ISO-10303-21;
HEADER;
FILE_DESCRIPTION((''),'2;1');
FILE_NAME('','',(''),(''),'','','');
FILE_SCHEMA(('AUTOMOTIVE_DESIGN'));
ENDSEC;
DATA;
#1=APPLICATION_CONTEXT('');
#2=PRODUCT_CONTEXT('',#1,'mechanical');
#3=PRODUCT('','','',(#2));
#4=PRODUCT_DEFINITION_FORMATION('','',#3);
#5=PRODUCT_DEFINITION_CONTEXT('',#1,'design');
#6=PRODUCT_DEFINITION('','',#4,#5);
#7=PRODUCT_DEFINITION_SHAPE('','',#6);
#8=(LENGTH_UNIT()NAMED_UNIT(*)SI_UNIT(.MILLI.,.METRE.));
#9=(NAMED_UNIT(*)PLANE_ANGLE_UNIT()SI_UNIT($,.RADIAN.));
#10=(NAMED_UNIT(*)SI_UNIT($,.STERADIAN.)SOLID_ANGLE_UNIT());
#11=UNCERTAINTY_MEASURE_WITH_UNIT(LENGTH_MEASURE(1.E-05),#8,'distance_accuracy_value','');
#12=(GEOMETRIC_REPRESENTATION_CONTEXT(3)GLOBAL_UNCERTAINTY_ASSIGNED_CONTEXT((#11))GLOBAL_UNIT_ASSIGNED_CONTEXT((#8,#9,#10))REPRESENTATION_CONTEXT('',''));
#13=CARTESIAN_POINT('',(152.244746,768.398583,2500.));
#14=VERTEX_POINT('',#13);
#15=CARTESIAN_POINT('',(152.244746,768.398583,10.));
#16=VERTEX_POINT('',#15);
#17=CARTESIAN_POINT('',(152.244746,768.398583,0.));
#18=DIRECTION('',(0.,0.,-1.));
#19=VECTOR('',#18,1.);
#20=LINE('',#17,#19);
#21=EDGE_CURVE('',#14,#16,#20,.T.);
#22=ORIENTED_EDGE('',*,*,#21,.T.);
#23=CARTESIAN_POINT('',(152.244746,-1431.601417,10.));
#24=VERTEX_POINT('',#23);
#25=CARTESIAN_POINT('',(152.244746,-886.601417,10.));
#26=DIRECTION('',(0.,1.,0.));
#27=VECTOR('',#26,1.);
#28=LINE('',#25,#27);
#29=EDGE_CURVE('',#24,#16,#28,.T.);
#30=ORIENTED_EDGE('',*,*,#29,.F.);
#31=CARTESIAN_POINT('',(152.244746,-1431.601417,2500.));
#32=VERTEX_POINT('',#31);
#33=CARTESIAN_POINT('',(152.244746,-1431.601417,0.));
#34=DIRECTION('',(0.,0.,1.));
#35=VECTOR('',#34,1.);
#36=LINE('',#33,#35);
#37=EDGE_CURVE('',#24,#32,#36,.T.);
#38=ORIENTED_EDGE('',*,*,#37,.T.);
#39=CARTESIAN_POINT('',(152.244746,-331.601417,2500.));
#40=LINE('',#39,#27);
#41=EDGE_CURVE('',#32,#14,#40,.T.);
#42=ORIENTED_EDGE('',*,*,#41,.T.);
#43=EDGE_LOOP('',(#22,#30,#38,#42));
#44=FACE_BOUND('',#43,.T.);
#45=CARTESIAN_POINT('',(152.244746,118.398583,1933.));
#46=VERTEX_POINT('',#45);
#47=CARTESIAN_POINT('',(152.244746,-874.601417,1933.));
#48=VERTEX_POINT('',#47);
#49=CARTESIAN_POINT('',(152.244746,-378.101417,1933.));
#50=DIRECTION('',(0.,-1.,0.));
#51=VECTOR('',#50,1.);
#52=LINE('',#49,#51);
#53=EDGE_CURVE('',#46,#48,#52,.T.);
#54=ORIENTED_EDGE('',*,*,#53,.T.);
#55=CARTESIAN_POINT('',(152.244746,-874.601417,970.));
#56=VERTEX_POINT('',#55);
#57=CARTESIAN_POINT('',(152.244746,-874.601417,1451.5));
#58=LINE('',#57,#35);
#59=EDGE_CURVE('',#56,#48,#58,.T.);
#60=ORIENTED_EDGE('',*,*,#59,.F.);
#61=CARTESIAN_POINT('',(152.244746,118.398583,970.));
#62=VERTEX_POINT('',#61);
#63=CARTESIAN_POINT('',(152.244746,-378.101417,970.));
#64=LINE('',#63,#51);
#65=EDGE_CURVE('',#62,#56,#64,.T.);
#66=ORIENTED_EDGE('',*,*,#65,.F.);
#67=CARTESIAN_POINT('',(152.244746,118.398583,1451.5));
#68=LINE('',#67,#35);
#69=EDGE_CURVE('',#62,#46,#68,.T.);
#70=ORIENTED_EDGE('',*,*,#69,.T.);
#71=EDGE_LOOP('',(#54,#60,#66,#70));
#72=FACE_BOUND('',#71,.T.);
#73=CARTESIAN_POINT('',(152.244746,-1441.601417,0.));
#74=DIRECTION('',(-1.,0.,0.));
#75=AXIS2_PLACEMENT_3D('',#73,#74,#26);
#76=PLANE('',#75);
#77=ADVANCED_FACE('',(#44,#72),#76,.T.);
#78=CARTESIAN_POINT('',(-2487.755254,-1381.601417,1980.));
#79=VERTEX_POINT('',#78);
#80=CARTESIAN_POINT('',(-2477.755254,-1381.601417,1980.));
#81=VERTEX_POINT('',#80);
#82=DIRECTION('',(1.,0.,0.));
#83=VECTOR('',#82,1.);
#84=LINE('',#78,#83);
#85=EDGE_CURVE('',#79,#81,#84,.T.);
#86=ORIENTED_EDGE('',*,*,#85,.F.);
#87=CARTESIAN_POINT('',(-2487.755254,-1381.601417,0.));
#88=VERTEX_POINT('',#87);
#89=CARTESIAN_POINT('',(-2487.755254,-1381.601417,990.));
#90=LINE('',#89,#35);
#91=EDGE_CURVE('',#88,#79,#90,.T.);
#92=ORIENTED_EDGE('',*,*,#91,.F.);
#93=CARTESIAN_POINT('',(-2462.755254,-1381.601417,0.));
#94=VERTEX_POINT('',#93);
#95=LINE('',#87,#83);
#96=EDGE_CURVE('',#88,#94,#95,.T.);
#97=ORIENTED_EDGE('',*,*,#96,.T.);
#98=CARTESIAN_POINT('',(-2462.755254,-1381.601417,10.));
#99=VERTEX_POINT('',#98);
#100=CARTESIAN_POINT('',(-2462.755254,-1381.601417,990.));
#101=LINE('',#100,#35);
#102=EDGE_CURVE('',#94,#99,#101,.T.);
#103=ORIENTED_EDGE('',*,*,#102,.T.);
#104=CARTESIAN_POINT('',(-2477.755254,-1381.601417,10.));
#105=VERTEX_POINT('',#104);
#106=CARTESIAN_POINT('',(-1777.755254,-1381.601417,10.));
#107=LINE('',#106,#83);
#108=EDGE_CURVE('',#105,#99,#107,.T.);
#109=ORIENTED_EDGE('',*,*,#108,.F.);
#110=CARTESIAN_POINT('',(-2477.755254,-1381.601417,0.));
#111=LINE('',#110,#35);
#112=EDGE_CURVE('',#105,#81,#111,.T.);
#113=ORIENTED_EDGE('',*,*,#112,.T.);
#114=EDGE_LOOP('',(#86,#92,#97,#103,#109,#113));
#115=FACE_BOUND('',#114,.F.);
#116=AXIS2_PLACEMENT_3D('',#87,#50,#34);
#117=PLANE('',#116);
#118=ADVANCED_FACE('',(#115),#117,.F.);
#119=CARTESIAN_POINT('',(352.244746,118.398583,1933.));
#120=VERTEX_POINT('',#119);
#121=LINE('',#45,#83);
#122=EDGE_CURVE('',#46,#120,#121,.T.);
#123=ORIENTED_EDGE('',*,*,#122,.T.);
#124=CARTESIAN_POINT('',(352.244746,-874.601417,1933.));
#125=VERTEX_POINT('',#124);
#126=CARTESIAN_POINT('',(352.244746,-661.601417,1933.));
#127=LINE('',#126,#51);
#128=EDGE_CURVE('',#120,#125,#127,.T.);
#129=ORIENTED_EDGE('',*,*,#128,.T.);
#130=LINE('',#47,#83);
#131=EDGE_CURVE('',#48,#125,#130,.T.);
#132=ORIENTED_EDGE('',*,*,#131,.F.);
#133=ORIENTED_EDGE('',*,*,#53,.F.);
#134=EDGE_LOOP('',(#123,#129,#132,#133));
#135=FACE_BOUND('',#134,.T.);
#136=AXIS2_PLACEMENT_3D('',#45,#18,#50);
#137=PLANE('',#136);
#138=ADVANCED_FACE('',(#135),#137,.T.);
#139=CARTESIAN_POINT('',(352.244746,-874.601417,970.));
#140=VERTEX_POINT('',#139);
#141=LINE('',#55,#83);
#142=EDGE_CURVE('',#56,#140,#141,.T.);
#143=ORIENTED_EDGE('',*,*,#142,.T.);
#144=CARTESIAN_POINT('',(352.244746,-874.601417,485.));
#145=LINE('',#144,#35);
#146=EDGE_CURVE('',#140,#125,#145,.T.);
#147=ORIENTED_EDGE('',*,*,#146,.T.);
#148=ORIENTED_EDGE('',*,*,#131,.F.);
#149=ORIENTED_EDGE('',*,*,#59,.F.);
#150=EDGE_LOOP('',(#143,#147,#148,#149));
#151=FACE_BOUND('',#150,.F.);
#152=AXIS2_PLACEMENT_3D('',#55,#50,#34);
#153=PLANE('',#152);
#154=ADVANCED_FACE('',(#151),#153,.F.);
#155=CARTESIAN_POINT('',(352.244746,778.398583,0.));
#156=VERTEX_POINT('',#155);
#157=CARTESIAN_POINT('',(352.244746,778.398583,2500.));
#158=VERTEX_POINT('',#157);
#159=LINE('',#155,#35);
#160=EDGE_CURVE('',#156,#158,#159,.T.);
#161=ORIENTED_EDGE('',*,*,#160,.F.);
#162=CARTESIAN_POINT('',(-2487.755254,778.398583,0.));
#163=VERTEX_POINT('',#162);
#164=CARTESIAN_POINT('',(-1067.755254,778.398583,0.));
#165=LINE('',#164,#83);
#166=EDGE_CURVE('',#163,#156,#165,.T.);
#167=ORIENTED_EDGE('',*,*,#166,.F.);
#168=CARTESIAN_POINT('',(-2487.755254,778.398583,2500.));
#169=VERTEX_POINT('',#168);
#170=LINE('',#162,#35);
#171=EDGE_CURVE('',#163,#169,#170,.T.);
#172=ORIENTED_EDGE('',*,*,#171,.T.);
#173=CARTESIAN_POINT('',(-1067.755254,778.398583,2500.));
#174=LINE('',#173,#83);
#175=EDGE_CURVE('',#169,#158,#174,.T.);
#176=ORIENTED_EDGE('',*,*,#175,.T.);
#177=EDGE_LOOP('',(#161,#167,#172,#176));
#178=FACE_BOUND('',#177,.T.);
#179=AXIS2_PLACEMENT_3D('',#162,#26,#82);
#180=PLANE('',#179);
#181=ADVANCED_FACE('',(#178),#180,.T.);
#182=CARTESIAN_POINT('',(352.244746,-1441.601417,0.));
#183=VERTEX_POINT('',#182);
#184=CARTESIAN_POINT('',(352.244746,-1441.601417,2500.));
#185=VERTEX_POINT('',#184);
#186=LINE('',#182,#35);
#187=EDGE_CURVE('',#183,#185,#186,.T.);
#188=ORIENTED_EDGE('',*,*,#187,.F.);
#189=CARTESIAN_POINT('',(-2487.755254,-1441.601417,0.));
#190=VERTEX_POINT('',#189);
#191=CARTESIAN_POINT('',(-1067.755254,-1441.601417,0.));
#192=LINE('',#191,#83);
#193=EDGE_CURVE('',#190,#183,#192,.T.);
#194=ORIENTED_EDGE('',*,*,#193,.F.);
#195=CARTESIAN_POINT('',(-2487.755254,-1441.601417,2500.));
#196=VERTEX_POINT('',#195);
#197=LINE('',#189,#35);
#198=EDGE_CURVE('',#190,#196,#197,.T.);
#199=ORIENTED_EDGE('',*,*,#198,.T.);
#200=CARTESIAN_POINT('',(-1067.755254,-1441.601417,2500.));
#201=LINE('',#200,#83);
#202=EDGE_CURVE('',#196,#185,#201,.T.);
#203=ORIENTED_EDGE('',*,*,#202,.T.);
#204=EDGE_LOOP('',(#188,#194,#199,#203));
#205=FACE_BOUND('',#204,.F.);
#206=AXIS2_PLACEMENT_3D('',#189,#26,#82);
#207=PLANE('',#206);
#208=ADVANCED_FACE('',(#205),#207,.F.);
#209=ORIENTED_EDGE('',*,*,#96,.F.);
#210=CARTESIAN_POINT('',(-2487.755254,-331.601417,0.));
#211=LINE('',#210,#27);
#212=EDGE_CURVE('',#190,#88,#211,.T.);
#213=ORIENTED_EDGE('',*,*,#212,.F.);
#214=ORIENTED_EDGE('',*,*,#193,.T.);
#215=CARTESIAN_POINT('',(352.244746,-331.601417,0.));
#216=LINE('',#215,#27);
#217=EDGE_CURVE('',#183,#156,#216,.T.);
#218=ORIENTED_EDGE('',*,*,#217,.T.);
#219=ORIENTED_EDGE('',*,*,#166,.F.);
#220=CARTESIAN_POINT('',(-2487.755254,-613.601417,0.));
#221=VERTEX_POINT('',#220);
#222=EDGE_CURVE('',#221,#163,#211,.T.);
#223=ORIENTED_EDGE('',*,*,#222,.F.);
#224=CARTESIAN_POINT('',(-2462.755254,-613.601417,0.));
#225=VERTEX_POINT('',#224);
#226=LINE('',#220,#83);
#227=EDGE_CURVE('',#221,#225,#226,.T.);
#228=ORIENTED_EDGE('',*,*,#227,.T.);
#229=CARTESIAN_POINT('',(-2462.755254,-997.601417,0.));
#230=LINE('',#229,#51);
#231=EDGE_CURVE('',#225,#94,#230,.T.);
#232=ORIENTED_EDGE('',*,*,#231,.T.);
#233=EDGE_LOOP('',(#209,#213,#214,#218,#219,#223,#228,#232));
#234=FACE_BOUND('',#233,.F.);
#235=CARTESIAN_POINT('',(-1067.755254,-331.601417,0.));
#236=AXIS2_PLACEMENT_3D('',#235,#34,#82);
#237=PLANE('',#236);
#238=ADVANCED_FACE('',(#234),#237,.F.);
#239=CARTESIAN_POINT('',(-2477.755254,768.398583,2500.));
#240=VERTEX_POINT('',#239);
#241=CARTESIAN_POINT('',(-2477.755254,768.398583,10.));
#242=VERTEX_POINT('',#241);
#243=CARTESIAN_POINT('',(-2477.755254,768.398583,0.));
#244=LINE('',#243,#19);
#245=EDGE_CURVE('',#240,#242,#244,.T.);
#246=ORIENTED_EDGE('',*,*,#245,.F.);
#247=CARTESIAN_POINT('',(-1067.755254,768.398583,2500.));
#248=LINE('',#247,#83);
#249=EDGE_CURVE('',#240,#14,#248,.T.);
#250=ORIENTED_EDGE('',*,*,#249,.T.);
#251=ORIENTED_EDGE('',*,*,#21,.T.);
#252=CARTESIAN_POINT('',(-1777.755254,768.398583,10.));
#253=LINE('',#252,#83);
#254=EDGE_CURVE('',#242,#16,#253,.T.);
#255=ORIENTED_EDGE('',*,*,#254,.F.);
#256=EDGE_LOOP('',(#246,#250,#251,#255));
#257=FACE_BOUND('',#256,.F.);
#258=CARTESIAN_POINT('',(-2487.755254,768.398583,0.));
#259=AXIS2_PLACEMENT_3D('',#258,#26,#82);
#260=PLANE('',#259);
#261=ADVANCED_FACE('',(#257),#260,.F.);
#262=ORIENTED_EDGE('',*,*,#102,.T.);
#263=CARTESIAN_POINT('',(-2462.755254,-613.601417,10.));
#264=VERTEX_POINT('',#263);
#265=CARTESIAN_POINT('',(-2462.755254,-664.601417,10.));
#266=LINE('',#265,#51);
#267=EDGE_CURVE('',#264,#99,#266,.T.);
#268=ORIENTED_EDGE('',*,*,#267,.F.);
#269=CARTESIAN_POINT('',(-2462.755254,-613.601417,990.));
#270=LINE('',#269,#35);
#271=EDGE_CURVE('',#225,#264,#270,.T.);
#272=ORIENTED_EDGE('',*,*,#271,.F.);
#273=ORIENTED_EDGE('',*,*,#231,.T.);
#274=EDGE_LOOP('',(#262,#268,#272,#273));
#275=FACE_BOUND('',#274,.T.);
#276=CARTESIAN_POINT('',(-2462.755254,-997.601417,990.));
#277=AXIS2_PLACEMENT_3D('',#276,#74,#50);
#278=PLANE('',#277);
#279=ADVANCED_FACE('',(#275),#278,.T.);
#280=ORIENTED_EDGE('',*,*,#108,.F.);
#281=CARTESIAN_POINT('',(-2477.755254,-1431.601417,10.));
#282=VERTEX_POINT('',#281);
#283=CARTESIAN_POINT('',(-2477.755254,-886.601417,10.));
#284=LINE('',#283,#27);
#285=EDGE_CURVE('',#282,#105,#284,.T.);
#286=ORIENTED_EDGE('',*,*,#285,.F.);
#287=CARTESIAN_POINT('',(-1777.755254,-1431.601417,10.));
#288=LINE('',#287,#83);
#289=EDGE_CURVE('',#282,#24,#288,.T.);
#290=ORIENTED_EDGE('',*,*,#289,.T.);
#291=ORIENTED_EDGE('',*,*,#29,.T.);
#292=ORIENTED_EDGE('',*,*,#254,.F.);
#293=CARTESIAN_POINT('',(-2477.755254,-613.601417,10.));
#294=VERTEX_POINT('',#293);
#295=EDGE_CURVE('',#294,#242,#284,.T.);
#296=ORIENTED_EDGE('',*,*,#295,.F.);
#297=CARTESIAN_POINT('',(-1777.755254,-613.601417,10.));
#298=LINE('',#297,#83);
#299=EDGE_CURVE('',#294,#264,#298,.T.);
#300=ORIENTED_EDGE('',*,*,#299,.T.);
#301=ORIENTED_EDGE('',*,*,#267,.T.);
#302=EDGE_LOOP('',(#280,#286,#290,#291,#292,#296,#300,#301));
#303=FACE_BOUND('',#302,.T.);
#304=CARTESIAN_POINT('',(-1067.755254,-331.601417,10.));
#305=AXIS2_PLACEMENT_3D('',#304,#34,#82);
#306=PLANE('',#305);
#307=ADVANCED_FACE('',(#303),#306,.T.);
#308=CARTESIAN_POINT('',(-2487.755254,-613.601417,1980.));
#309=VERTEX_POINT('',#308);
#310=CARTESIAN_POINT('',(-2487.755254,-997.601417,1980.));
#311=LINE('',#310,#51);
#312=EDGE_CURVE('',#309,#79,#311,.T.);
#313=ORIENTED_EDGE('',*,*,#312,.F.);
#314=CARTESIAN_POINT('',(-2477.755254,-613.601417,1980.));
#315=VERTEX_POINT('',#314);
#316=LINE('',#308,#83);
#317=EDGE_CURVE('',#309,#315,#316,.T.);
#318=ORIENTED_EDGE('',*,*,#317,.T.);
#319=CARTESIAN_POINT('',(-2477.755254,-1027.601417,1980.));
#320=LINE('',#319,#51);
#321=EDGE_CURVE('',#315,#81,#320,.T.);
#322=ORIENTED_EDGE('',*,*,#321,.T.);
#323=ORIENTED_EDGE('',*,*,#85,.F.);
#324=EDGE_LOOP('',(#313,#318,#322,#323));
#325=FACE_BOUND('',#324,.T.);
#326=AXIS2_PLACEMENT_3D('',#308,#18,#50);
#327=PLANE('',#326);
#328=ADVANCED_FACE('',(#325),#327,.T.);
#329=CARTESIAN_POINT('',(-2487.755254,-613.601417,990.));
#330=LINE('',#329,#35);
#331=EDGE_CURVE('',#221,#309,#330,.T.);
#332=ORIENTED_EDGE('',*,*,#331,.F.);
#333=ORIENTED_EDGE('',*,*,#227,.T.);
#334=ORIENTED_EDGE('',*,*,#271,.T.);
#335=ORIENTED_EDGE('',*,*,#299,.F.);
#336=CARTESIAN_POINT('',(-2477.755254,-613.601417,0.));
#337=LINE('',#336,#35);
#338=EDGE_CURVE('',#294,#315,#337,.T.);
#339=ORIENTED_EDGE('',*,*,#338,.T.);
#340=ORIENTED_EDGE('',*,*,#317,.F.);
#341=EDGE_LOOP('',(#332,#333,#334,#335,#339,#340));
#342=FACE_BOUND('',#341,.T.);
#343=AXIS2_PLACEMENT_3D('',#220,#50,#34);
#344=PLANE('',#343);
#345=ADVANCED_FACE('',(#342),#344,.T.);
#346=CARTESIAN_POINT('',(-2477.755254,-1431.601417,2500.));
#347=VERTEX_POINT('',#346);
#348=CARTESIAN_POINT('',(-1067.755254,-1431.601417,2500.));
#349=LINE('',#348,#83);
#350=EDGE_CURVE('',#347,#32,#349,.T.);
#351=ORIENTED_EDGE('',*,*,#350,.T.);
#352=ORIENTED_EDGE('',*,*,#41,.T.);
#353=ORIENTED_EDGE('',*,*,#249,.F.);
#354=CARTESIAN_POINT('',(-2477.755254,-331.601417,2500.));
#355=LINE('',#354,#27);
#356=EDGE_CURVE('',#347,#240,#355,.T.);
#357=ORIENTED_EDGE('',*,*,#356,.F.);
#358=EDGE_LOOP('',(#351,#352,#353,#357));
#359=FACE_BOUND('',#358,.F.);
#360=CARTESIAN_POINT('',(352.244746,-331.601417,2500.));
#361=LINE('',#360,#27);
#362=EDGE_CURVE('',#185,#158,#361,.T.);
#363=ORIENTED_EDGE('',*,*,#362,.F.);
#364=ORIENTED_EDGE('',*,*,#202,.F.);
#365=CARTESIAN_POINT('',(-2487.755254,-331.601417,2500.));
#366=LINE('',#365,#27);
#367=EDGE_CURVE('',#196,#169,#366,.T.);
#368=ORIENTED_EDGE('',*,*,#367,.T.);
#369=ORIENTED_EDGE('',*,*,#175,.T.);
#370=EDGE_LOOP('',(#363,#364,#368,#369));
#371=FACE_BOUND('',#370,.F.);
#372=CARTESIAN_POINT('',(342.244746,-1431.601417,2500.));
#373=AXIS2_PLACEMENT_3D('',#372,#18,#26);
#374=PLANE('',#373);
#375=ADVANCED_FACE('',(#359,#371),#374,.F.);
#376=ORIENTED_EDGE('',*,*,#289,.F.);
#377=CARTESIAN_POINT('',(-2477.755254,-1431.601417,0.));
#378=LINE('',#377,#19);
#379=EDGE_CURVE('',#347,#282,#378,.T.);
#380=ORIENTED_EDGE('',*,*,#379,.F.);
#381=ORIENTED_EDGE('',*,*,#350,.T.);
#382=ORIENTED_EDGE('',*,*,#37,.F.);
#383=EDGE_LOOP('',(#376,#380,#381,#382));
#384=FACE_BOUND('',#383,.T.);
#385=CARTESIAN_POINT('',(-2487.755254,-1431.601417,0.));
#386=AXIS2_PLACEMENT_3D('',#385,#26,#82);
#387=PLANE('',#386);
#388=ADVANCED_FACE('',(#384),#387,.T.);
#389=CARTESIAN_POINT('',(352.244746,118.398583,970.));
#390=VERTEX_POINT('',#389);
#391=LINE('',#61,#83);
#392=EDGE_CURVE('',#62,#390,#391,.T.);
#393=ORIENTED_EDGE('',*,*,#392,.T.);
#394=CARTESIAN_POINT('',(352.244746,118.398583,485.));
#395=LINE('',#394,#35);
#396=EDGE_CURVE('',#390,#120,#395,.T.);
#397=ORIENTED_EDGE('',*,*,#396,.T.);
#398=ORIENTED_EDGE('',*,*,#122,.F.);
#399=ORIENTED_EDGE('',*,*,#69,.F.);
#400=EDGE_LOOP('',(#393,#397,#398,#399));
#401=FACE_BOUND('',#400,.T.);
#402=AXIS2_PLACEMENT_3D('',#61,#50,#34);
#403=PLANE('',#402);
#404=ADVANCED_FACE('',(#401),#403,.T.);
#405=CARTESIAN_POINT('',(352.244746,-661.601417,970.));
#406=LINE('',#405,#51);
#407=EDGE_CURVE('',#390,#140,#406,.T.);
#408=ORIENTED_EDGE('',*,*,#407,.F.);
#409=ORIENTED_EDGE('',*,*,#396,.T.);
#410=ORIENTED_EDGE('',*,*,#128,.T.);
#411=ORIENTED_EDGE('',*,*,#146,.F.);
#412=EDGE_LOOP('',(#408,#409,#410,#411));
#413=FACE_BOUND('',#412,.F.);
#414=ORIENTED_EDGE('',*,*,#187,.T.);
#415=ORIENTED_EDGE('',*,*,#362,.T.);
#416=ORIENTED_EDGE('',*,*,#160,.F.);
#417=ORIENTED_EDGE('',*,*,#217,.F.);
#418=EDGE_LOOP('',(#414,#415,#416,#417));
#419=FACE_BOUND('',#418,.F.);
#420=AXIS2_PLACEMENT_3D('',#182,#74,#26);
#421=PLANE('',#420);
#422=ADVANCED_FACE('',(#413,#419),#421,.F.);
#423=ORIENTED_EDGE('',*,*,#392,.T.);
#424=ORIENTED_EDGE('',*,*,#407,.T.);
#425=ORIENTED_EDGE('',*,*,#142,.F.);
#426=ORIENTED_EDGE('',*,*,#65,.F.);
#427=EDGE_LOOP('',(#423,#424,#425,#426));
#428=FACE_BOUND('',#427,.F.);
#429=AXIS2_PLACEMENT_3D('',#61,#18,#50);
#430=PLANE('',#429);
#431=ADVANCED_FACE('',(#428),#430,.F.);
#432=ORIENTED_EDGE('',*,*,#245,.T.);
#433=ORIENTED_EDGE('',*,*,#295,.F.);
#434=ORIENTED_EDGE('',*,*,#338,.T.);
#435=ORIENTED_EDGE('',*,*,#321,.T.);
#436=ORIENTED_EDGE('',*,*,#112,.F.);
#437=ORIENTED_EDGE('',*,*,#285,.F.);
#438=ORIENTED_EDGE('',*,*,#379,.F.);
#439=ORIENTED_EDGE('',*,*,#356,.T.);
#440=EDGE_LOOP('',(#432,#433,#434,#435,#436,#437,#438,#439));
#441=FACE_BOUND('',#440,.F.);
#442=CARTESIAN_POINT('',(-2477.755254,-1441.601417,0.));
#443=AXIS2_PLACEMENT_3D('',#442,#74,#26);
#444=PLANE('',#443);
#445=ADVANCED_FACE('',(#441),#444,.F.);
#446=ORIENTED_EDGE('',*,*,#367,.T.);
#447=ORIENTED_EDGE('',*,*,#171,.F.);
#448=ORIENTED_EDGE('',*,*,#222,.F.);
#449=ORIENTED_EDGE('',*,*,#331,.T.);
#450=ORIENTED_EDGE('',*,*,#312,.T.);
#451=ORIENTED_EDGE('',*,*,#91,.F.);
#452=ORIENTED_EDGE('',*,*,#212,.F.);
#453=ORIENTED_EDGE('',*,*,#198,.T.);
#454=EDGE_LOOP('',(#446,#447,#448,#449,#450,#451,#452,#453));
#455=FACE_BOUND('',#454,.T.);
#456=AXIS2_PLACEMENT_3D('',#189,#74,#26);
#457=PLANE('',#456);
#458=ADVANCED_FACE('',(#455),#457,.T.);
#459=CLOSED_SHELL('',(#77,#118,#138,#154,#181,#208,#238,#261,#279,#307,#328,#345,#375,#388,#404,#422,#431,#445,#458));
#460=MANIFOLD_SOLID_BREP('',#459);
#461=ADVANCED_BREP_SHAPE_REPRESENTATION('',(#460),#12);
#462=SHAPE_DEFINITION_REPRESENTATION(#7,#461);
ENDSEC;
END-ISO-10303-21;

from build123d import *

# Parameters (mm, degrees)
F0_W     = 2840
F0_H     = 2220
F1_DEPTH = 2500
F2_T     = -10
F3_DEPTH = 190
F4_W     = 768
F4_H     = 1980
F5_DEPTH = 25
F6_W     = 993
F6_H     = 963
F7_DEPTH = 220


with BuildPart() as f1:
    # F0 (on Top) → F1 (new body)
    with BuildSketch(Plane.XY):
        with Locations((-1067.755253911, -331.6014169445)):
            Rectangle(F0_W, F0_H)
    extrude(amount=F1_DEPTH)

    # F2
    f2_openings = [f1.faces().sort_by_distance(p)[0] for p in [
        (-1067.755254, -331.601417, 2500),
    ]]
    offset(amount=F2_T, openings=f2_openings)

    # F3 (add): a face of the model
    f3_faces = [f1.faces().sort_by_distance(p)[0] for p in [
        (342.244746089, -331.6014169445, 1255),
    ]]
    extrude(f3_faces, amount=F3_DEPTH)

    # F4 (on face) → F5 (cut)
    with BuildSketch(Plane(origin=(-2487.755253911, 0, 0), x_dir=(0, -1, 0), z_dir=(-1, 0, 0))):
        with Locations((997.6014169445, 990)):
            Rectangle(F4_W, F4_H)
    extrude(amount=-F5_DEPTH, mode=Mode.SUBTRACT)

    # F6 (on face) → F7 (cut)
    with BuildSketch(Plane(origin=(152.244746089, 0, 0), x_dir=(0, -1, 0), z_dir=(-1, 0, 0))):
        with Locations((378.1014169445, 1451.5)):
            Rectangle(F6_W, F6_H)
    extrude(amount=-F7_DEPTH, mode=Mode.SUBTRACT)


solid = f1.part
